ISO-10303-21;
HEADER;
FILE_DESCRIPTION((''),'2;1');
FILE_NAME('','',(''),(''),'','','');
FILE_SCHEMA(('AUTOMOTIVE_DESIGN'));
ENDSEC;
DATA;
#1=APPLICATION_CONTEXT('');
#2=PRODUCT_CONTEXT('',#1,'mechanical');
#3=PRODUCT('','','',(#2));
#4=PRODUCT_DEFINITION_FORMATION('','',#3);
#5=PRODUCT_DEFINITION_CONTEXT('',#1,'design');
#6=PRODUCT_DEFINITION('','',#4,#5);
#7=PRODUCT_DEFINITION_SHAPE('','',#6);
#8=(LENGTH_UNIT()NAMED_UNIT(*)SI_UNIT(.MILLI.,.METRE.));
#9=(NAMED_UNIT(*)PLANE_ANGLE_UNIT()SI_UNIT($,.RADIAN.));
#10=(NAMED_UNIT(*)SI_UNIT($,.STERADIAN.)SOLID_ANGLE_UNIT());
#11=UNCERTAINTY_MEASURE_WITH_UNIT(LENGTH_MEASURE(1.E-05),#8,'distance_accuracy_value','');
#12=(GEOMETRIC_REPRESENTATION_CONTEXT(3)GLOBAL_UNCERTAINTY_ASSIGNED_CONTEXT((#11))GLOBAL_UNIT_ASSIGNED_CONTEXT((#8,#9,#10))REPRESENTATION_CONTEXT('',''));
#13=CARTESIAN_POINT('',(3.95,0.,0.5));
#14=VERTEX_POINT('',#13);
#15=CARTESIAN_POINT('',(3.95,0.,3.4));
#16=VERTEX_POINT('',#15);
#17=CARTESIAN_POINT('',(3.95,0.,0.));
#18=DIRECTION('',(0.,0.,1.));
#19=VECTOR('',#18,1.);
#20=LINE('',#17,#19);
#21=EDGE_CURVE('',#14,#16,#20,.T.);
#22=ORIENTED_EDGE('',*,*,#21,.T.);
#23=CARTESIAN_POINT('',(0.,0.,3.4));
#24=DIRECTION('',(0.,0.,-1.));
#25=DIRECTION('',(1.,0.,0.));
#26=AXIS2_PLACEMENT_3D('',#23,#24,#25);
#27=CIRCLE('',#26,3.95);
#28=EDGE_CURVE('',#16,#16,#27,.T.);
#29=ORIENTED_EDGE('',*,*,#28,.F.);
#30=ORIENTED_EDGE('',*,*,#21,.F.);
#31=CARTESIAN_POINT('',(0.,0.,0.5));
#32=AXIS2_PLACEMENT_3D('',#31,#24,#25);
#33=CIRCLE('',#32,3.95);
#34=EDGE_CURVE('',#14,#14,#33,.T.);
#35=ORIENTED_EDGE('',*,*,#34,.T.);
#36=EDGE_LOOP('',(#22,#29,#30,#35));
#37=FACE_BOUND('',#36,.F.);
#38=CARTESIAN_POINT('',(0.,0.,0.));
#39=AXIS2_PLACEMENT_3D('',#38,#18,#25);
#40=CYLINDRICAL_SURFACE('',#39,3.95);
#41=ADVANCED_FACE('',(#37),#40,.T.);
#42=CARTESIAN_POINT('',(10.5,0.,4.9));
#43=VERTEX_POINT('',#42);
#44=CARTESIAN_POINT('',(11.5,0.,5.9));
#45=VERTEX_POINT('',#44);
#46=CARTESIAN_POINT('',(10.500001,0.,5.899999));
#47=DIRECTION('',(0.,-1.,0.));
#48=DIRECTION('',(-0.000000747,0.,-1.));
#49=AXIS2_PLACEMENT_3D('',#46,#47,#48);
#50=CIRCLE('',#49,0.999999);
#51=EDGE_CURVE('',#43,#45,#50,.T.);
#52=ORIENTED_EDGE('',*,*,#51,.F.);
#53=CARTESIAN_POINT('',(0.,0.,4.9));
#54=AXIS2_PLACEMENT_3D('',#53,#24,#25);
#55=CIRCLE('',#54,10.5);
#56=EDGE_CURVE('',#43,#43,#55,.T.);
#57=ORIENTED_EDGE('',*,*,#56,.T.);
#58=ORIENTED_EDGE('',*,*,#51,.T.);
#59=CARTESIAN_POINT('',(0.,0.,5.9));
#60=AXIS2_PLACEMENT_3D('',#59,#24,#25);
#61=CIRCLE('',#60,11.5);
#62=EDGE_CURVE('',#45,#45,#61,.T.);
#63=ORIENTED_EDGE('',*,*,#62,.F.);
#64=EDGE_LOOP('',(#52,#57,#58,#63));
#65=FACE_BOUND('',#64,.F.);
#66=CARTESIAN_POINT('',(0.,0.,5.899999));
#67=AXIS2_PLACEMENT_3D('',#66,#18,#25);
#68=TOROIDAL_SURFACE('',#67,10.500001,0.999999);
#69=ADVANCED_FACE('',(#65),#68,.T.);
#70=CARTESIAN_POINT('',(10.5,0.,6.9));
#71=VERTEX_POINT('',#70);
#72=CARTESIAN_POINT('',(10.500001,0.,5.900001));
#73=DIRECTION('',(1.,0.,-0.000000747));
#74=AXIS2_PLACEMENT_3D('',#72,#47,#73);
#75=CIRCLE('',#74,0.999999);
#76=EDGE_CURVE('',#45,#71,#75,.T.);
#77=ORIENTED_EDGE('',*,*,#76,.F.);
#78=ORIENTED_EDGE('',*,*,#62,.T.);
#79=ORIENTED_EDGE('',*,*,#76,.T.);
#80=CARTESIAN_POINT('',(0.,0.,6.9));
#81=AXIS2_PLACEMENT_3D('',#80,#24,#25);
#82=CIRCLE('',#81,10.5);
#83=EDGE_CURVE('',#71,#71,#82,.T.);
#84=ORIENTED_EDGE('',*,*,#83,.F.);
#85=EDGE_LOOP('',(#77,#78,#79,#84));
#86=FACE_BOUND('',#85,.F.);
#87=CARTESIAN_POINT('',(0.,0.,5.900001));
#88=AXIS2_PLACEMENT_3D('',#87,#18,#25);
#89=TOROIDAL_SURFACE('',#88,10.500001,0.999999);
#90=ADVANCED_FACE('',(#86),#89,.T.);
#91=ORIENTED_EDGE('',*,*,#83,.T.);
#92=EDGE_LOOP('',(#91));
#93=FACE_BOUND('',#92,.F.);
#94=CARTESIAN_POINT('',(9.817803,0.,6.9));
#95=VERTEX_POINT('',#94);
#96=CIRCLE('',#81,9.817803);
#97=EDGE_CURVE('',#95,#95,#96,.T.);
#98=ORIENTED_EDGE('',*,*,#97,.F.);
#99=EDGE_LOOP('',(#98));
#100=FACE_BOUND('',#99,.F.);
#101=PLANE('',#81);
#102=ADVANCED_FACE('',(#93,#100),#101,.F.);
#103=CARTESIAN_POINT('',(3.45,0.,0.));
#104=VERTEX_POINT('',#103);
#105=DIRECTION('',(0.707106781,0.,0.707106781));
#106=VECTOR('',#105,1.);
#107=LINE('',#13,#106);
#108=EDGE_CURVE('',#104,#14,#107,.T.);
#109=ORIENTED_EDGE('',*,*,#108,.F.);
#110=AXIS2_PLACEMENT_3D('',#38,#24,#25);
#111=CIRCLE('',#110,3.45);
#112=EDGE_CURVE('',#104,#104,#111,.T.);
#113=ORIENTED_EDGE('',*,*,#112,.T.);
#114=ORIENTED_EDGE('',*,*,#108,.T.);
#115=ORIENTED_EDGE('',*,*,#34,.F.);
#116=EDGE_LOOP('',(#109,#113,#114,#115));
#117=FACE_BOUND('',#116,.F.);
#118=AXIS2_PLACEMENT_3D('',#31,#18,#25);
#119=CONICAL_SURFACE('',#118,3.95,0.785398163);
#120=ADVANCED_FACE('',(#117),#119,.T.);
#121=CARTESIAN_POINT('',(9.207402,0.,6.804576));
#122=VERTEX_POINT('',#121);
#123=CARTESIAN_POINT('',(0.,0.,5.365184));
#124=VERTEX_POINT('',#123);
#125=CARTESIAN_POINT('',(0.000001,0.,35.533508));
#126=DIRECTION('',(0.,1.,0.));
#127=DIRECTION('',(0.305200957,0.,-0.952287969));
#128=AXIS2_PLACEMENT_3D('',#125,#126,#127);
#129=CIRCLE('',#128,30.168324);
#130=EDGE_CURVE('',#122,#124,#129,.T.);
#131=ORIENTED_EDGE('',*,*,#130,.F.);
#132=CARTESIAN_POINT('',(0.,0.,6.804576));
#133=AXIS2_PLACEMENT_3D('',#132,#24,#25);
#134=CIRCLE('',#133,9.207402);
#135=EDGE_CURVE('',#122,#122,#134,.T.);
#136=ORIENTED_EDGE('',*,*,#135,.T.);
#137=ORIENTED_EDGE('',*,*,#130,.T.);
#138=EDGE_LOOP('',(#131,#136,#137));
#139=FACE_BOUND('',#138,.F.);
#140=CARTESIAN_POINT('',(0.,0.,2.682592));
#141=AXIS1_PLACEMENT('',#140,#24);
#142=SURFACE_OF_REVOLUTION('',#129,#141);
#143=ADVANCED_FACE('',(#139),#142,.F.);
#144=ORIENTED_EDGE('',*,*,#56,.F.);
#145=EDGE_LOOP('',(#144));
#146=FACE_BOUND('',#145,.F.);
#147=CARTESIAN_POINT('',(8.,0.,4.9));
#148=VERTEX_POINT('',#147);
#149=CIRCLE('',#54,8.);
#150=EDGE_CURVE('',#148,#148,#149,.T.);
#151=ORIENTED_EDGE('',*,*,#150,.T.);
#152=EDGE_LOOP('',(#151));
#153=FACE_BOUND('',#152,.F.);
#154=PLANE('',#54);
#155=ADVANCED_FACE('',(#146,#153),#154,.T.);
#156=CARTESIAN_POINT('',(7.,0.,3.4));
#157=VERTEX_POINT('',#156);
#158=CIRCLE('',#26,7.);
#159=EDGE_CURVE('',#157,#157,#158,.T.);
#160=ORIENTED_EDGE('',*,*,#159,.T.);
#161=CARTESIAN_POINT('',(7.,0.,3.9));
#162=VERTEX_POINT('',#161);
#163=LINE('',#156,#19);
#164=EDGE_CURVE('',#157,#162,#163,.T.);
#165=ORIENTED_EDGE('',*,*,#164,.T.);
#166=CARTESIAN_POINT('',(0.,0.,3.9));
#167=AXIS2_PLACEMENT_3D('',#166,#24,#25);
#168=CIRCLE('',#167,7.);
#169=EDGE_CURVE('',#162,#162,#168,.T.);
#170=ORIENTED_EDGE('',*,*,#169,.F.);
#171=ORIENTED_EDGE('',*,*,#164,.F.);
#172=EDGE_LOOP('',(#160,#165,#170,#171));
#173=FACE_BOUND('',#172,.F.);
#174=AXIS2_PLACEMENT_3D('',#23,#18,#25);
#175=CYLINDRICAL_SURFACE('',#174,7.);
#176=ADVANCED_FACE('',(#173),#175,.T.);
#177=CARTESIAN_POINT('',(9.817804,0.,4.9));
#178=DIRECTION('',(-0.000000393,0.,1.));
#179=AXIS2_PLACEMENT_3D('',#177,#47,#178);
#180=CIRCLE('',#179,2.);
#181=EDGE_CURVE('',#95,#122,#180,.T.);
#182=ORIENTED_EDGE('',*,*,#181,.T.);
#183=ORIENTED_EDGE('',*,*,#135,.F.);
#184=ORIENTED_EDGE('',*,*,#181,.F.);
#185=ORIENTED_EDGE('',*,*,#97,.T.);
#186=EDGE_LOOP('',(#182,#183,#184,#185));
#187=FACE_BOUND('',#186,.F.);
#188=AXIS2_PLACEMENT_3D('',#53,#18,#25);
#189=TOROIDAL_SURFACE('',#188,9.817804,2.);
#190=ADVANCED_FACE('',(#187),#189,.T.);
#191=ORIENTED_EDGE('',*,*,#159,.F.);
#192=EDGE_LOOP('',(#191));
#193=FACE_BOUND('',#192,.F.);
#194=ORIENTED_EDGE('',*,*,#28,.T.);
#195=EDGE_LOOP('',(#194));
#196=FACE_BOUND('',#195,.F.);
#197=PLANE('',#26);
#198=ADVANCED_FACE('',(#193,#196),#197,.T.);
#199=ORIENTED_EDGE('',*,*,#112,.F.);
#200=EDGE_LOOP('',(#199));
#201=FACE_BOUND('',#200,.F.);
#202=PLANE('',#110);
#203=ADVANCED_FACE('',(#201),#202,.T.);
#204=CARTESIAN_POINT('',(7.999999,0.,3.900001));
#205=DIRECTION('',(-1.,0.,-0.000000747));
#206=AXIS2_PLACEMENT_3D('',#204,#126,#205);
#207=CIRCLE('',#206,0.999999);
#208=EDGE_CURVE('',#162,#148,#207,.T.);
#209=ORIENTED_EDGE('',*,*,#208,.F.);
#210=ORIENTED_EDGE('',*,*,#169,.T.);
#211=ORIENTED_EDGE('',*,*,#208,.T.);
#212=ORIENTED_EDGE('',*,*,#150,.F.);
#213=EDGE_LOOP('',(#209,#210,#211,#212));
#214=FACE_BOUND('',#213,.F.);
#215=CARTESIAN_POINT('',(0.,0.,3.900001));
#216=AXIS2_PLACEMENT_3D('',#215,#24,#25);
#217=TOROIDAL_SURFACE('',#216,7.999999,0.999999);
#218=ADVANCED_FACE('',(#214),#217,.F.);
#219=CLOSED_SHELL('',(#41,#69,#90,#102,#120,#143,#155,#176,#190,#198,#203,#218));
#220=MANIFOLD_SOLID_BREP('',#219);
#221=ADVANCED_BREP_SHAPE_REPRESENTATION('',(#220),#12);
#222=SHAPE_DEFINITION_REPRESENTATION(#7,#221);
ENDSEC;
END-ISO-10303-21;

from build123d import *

# Parameters (mm, degrees)
F2_SIZE = 0.5


with BuildPart() as f1:
    # F0 (on Front) → F1 (revolve)
    with BuildSketch(Plane.XZ):
        with BuildLine():
            Line((0, 5.365184), (0, 0))
            Line((0, 0), (3.95, 0))
            Line((3.95, 0), (3.95, 3.4))
            Line((3.95, 3.4), (7, 3.4))
            Line((7, 3.4), (7, 3.9))
            ThreePointArc((7, 3.9), (7.292893, 4.607107), (8, 4.9))
            Line((8, 4.9), (10.5, 4.9))
            ThreePointArc((10.5, 4.9), (11.207107, 5.192893), (11.5, 5.9))
            ThreePointArc((11.5, 5.9), (11.207107, 6.607107), (10.5, 6.9))
            Line((10.5, 6.9), (9.817803, 6.9))
            ThreePointArc((9.817803, 6.9), (9.508896, 6.876), (9.207402, 6.804576))
            ThreePointArc((9.207402, 6.804576), (4.659616, 5.727204), (0, 5.365184))
        make_face()
    revolve(axis=Axis((0, 0, 2.682592), (0, 0, -1)))

    # F2
    f2_edges = [f1.edges().sort_by_distance(p)[0] for p in [
        (-3.95, 0, 0),
    ]]
    chamfer(f2_edges, length=F2_SIZE)


solid = f1.part
